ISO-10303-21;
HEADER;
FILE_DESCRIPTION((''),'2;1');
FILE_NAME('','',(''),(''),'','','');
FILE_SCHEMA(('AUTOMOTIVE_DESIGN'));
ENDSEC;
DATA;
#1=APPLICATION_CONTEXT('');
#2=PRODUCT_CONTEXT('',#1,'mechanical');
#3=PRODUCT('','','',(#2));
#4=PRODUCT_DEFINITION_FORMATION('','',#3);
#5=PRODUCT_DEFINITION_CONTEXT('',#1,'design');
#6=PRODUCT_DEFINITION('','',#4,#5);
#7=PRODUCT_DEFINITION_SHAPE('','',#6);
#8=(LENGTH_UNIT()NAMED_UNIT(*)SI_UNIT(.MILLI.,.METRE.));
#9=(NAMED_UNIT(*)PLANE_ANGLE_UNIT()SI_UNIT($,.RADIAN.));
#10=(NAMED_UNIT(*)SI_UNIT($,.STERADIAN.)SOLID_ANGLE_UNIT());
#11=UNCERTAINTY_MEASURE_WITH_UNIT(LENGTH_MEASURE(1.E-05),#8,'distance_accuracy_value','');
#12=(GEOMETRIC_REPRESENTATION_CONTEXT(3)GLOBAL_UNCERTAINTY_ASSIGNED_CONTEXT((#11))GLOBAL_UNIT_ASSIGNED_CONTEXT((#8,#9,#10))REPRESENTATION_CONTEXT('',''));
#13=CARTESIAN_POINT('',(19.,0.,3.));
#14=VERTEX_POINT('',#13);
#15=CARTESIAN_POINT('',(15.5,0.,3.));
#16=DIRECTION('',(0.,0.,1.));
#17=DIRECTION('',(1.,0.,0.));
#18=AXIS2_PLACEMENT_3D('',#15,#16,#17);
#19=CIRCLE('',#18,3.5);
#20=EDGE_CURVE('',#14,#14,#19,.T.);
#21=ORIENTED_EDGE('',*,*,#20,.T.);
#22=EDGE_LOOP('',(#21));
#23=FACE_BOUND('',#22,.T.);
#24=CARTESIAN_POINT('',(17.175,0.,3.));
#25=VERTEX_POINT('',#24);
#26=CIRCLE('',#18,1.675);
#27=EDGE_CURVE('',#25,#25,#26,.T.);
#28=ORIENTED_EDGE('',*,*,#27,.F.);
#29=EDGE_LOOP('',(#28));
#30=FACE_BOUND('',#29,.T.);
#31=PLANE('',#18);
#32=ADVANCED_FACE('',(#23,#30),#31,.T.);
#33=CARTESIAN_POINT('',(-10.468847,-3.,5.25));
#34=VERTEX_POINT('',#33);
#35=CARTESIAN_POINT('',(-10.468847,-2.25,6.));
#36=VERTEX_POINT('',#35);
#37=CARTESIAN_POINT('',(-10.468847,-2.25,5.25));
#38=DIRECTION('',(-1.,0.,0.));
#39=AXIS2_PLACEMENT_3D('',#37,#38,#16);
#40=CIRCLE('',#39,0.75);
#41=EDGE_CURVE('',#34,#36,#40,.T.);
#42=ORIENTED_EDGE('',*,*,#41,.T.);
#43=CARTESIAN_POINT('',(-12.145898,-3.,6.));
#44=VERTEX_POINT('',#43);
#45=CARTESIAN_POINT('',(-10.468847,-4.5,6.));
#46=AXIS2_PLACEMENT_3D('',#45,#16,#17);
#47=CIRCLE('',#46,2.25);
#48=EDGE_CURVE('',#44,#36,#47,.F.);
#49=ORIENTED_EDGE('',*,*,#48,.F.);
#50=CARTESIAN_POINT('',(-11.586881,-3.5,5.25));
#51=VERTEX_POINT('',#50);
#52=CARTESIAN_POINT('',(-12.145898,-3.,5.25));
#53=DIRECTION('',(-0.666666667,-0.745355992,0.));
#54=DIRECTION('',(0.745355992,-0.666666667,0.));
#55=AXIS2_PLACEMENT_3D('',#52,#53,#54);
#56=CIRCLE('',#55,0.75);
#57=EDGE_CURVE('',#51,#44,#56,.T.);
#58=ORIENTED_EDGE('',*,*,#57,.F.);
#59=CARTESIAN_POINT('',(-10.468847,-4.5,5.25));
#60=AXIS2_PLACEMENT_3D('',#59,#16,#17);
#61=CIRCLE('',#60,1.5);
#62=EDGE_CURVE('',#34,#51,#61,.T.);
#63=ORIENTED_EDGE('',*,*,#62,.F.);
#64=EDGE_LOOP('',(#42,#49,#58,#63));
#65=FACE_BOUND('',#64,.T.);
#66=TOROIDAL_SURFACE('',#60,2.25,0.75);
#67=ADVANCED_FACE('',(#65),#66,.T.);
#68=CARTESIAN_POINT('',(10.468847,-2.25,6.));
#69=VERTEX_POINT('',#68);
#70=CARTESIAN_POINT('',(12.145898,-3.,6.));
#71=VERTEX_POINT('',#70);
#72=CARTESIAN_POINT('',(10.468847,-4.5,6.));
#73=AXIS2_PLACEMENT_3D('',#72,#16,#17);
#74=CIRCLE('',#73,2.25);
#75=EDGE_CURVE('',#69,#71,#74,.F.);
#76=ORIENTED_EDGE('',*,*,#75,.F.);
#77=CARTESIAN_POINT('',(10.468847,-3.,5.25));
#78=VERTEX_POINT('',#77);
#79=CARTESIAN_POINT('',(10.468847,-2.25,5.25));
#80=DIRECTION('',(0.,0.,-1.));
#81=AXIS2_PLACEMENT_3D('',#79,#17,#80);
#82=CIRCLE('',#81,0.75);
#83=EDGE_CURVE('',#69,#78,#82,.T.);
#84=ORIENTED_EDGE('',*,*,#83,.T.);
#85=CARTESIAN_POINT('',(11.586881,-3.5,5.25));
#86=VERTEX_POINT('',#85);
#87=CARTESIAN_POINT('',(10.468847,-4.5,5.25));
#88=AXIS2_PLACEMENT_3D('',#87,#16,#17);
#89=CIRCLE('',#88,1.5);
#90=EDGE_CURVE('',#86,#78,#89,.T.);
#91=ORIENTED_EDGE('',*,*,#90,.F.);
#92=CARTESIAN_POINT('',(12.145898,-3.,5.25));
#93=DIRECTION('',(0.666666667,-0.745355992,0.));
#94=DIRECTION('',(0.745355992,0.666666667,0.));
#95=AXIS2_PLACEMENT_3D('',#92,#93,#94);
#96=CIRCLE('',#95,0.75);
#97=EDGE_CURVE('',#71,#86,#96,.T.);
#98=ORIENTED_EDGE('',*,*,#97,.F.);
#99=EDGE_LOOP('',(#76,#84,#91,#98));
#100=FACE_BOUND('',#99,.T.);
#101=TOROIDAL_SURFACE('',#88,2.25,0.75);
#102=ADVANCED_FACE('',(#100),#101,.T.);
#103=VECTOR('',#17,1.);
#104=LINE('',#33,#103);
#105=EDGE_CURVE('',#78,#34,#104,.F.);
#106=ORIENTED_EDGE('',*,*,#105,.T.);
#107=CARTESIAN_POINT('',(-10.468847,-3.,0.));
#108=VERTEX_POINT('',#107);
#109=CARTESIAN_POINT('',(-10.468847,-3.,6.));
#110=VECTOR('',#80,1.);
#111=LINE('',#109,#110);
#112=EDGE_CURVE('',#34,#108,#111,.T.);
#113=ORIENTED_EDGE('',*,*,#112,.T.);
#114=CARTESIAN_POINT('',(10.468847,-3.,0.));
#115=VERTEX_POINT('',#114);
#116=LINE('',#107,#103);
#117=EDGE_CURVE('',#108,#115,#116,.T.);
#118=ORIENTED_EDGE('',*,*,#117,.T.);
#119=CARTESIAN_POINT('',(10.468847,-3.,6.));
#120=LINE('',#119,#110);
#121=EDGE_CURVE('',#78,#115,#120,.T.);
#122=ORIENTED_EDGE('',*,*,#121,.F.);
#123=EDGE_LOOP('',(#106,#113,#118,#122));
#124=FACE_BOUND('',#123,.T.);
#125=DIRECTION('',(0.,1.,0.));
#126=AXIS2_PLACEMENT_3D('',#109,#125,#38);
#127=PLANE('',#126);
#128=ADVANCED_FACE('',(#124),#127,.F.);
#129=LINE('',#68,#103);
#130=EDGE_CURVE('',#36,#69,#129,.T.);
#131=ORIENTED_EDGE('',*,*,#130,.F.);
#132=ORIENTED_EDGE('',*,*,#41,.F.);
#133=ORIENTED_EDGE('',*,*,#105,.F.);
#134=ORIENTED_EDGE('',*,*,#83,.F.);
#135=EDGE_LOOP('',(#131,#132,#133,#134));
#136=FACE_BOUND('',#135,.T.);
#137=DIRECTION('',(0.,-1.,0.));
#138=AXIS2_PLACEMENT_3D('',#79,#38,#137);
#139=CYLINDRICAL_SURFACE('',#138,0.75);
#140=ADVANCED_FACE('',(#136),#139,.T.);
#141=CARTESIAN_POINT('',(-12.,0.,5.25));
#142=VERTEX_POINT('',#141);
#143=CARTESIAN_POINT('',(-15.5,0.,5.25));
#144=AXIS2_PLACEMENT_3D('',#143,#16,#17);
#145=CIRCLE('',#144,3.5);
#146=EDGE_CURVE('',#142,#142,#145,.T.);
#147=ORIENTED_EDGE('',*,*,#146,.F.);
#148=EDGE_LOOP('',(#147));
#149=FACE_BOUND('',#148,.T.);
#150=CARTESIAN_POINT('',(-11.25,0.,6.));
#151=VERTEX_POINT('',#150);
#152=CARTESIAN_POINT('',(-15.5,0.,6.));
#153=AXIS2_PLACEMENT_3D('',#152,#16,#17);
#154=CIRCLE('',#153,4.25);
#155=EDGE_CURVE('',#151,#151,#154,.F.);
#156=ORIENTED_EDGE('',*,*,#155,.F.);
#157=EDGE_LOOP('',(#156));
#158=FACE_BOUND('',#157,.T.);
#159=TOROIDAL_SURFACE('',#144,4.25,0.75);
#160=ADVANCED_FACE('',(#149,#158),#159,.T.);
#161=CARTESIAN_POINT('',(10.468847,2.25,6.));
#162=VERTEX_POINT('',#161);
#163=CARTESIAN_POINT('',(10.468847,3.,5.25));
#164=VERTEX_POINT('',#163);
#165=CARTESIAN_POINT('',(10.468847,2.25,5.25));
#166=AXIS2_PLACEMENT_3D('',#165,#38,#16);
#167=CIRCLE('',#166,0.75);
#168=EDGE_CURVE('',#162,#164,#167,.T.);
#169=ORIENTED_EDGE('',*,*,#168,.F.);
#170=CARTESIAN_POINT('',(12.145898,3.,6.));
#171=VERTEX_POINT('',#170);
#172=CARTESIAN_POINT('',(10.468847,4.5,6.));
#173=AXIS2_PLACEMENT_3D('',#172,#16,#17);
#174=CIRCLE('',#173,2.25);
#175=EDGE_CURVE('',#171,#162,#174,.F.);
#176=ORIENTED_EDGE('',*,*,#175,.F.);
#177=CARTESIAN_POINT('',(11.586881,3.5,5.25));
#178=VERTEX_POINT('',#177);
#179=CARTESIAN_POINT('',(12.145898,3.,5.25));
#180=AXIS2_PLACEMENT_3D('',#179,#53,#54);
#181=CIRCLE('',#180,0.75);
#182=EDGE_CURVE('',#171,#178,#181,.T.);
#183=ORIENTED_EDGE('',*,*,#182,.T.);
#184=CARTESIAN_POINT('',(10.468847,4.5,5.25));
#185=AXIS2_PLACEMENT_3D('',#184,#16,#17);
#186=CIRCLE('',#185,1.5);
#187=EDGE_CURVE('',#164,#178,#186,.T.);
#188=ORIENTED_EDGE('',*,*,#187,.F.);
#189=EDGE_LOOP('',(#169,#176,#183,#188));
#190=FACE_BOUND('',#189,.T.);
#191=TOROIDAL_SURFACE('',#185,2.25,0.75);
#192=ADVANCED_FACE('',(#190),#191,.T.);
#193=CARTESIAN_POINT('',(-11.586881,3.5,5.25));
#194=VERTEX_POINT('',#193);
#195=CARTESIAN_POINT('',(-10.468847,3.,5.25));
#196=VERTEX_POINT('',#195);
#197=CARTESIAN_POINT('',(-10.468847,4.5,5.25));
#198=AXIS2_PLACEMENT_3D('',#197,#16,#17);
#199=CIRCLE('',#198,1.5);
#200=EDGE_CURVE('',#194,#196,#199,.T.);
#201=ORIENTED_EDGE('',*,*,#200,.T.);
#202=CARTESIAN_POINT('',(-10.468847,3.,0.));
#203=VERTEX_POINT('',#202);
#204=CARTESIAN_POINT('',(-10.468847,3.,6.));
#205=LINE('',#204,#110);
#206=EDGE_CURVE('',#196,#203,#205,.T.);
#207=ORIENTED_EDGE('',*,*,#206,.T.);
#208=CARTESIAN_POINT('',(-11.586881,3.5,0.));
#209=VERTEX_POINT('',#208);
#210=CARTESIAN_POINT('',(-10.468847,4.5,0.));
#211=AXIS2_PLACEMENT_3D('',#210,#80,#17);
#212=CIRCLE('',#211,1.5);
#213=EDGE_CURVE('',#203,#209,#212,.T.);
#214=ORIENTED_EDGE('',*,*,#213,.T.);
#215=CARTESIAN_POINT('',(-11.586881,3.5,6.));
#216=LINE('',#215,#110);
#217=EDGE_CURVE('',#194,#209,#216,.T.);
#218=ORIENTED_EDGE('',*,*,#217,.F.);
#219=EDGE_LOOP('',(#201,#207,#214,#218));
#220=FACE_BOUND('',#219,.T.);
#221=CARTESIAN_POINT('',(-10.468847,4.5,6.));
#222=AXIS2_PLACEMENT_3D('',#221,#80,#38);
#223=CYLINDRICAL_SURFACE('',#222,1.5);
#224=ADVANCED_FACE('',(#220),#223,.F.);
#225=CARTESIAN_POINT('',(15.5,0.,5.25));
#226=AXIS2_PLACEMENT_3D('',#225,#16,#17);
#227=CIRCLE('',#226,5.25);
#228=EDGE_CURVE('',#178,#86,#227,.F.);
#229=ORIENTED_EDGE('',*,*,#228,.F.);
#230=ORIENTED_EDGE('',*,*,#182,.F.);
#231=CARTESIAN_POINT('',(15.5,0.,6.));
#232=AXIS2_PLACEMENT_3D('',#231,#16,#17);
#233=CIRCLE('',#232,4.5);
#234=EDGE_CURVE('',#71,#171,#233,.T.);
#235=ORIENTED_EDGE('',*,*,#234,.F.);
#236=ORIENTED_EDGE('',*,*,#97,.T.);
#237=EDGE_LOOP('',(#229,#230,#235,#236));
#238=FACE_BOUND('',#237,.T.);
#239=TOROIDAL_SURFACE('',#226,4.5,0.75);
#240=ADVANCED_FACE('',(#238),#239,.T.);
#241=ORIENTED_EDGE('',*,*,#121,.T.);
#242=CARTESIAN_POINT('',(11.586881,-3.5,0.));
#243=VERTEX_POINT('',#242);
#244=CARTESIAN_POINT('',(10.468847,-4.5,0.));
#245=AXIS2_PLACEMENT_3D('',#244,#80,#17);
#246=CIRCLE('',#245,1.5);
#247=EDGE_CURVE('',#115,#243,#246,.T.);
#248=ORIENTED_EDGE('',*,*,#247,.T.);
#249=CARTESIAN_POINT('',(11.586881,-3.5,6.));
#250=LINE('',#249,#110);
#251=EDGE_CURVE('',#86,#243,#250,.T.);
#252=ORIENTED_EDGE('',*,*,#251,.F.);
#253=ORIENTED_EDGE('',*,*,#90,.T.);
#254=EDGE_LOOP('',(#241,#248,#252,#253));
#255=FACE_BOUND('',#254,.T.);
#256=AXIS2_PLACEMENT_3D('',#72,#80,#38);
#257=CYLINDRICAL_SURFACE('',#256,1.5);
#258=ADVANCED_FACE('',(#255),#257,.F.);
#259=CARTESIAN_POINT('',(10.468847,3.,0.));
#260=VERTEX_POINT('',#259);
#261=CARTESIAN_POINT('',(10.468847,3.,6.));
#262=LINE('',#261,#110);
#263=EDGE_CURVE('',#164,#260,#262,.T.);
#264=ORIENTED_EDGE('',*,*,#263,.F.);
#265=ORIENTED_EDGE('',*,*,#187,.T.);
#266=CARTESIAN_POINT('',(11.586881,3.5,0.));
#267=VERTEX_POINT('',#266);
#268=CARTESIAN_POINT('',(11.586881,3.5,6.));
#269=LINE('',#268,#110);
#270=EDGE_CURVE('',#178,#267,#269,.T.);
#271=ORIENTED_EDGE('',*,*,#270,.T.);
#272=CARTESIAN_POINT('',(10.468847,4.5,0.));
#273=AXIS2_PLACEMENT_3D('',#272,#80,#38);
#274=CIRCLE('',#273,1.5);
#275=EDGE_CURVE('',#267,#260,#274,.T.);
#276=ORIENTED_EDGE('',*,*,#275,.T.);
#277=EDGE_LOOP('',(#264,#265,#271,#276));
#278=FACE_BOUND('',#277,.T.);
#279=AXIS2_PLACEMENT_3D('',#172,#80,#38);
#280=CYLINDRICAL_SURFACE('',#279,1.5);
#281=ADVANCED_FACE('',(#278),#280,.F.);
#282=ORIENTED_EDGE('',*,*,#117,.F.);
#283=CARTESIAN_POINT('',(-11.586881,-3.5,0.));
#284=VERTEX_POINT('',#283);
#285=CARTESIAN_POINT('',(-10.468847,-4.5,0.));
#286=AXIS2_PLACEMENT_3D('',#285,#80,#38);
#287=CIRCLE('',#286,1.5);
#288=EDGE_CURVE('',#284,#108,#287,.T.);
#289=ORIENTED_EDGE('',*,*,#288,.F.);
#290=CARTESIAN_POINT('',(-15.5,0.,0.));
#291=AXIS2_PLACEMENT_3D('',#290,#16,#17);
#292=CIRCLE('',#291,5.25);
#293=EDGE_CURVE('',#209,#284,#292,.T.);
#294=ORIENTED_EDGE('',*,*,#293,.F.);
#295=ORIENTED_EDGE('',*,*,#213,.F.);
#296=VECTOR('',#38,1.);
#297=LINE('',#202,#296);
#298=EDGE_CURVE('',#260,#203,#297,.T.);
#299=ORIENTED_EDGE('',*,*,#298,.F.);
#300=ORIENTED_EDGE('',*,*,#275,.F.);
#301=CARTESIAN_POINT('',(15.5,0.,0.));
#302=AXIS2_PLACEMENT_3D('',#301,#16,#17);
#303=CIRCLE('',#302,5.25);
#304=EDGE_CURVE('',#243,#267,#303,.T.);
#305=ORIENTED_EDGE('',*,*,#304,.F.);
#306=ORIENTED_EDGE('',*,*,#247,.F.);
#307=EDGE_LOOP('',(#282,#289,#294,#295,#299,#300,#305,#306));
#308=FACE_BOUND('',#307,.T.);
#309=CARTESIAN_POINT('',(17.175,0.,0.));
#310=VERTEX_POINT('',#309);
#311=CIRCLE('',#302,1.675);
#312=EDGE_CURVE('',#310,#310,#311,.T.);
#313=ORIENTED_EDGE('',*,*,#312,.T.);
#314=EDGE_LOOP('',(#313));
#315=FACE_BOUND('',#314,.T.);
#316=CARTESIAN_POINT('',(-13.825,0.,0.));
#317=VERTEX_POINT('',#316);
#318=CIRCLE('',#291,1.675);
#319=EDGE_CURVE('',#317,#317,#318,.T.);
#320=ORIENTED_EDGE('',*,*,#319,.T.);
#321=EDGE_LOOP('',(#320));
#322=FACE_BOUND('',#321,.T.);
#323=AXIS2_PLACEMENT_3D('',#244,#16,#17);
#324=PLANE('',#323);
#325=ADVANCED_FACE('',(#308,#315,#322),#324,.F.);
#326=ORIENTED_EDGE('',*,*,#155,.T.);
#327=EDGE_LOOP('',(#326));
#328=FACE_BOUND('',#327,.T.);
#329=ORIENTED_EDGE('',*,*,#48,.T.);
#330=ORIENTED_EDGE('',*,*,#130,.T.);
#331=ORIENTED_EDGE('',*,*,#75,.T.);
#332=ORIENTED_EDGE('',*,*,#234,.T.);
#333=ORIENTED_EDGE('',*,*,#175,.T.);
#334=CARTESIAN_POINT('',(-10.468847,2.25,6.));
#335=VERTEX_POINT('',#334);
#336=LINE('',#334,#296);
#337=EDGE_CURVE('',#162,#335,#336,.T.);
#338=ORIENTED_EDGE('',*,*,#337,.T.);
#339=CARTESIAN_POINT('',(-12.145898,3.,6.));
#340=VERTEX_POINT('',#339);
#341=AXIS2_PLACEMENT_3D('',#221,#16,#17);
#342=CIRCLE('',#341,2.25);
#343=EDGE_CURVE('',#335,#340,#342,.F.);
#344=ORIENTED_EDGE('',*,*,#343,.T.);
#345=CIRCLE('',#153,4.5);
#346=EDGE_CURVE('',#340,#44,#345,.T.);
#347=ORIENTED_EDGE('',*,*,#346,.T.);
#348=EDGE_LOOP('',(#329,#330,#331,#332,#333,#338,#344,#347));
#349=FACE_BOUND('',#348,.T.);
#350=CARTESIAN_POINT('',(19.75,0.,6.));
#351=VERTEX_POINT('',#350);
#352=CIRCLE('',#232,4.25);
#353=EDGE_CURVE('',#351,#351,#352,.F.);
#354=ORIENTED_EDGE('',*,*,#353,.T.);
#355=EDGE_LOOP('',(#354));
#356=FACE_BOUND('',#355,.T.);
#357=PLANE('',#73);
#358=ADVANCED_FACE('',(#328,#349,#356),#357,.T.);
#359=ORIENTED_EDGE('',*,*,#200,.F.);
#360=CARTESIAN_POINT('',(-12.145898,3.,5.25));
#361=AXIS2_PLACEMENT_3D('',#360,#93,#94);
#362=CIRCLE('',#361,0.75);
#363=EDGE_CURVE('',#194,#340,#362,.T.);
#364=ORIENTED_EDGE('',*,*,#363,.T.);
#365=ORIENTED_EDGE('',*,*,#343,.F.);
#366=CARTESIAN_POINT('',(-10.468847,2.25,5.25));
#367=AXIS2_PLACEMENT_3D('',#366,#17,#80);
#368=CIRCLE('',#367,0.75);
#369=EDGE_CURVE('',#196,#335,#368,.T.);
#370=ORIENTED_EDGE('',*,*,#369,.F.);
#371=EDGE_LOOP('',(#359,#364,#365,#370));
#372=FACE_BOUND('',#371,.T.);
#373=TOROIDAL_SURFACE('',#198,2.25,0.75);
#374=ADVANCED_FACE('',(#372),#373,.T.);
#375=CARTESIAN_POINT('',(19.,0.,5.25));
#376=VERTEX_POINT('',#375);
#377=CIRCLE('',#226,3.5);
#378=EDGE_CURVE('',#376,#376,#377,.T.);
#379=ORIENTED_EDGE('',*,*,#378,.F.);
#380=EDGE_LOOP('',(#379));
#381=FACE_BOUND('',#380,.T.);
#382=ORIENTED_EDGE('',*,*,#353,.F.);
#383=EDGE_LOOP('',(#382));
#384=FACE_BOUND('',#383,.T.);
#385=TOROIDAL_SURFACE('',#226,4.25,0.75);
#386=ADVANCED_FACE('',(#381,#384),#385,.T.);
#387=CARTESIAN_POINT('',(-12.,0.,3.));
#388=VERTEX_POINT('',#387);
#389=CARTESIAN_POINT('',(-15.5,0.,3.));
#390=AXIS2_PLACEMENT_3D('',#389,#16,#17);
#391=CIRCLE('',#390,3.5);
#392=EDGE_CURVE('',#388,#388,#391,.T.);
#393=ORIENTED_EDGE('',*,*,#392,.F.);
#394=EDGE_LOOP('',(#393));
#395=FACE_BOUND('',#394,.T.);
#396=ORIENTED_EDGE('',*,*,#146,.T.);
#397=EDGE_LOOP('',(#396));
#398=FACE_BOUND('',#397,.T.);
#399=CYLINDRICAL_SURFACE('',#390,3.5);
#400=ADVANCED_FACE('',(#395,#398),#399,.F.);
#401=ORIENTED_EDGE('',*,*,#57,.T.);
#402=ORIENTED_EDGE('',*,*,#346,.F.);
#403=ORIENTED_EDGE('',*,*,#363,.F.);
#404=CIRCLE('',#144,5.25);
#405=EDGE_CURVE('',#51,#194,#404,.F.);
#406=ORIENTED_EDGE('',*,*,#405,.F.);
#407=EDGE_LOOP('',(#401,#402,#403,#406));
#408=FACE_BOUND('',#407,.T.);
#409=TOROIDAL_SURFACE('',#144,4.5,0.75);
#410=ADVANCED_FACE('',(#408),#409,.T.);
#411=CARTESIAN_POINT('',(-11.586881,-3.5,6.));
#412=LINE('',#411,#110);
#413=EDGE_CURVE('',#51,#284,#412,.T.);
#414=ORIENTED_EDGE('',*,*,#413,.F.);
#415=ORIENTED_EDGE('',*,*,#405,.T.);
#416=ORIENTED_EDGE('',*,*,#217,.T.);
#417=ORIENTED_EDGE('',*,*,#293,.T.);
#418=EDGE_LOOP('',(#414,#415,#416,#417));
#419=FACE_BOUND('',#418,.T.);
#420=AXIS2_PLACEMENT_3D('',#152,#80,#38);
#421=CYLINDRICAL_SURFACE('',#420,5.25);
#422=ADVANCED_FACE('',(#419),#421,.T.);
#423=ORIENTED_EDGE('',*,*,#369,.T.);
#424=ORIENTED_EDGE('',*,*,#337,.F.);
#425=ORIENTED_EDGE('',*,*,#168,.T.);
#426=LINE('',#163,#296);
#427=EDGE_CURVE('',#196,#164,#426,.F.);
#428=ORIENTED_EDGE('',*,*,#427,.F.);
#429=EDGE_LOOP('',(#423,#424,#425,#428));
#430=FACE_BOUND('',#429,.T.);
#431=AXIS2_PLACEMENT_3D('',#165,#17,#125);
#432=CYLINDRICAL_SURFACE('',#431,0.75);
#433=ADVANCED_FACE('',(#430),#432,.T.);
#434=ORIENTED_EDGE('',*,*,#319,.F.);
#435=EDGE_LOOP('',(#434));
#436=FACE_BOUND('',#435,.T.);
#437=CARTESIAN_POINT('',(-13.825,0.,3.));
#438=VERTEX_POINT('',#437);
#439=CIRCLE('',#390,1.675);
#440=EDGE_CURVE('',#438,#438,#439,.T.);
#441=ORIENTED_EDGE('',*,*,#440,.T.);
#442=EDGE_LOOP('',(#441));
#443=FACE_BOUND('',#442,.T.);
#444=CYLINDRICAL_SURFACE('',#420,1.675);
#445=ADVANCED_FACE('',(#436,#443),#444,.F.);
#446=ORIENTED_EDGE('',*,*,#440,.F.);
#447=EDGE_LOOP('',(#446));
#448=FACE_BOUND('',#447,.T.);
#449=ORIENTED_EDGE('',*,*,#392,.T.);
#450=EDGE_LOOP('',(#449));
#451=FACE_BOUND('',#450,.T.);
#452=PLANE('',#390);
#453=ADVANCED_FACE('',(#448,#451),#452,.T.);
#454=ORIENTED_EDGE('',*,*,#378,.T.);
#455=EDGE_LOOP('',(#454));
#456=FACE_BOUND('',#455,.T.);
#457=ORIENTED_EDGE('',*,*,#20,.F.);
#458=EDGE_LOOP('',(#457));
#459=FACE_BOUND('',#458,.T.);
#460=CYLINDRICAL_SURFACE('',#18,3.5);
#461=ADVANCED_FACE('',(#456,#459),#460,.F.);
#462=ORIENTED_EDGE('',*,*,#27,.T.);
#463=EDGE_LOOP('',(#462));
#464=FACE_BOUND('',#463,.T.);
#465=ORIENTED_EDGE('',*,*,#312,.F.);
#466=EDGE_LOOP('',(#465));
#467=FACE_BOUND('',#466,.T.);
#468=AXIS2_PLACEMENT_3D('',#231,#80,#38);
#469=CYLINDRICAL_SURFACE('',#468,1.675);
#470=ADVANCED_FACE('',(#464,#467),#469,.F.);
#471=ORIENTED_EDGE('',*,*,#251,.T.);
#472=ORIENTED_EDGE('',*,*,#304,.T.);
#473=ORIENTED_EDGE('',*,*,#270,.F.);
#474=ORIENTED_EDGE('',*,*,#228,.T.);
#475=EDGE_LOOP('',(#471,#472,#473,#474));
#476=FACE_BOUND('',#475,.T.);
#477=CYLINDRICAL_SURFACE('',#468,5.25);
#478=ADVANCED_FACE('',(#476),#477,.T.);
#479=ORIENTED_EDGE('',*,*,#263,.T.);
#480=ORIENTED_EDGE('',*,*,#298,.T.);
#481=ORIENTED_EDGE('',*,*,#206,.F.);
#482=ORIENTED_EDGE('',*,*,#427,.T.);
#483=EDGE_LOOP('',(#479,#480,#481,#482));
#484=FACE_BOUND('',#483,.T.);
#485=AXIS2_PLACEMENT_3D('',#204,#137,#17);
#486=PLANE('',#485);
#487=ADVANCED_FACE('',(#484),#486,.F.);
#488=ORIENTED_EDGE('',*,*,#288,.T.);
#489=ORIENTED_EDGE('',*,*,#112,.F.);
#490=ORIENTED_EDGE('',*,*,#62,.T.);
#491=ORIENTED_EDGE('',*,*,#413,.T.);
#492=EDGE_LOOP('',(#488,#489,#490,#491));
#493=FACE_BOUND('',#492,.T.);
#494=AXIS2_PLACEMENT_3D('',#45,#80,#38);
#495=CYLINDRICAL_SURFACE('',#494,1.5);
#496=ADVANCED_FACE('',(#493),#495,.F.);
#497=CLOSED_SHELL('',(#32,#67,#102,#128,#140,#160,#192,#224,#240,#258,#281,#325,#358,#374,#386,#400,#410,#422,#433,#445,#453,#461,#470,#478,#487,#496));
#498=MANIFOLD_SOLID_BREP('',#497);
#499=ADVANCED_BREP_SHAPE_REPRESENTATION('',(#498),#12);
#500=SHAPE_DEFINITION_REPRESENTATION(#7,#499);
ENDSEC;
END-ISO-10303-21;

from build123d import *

# Parameters (mm, degrees)
SKETCH1_R           = 1.675
BOSS_EXTRUDE1_DEPTH = 6
SKETCH2_R           = 3.5
CUT_EXTRUDE1_DEPTH  = 3
FILLET1_R           = 0.75


with BuildPart() as part:
    # Sketch1 → Boss-Extrude1 (new body)
    with BuildSketch(Plane.XY):
        with BuildLine():
            Line((-10.468847051, 3), (10.468847051, 3))
            ThreePointArc((10.468847051, 3), (11.081219486, 3.130693606), (11.586881039, 3.5))
            ThreePointArc((11.586881039, 3.5), (20.75, 0), (11.586881039, -3.5))
            ThreePointArc((11.586881039, -3.5), (11.081219486, -3.130693606), (10.468847051, -3))
            Line((10.468847051, -3), (-10.468847051, -3))
            ThreePointArc((-10.468847051, -3), (-11.081219486, -3.130693606), (-11.586881039, -3.5))
            ThreePointArc((-11.586881039, -3.5), (-20.75, 0), (-11.586881039, 3.5))
            ThreePointArc((-11.586881039, 3.5), (-11.081219486, 3.130693606), (-10.468847051, 3))
        make_face()
        with Locations((15.5, 0)):
            Circle(SKETCH1_R, mode=Mode.SUBTRACT)
        with Locations((-15.5, 0)):
            Circle(SKETCH1_R, mode=Mode.SUBTRACT)
    extrude(amount=BOSS_EXTRUDE1_DEPTH)

    # Sketch2 → Cut-Extrude1 (cut)
    with BuildSketch(Plane.XY.offset(6)):
        with Locations((-15.5, 0)):
            Circle(SKETCH2_R)
        with Locations((15.5, 0)):
            Circle(SKETCH2_R)
    extrude(amount=-CUT_EXTRUDE1_DEPTH, mode=Mode.SUBTRACT)

    # Fillet1
    fillet1_edges = [part.edges().sort_by_distance(p)[0] for p in [
        (11.081219486, 3.130693606, 6),
        (0, 3, 6),
        (-11.081219486, 3.130693606, 6),
        (-20.75, 0, 6),
        (-11.081219486, -3.130693606, 6),
        (0, -3, 6),
        (-19, 0, 6),
        (12, 0, 6),
        (11.081219486, -3.130693606, 6),
        (20.75, 0, 6),
    ]]
    fillet(fillet1_edges, radius=FILLET1_R)


solid = part.part
